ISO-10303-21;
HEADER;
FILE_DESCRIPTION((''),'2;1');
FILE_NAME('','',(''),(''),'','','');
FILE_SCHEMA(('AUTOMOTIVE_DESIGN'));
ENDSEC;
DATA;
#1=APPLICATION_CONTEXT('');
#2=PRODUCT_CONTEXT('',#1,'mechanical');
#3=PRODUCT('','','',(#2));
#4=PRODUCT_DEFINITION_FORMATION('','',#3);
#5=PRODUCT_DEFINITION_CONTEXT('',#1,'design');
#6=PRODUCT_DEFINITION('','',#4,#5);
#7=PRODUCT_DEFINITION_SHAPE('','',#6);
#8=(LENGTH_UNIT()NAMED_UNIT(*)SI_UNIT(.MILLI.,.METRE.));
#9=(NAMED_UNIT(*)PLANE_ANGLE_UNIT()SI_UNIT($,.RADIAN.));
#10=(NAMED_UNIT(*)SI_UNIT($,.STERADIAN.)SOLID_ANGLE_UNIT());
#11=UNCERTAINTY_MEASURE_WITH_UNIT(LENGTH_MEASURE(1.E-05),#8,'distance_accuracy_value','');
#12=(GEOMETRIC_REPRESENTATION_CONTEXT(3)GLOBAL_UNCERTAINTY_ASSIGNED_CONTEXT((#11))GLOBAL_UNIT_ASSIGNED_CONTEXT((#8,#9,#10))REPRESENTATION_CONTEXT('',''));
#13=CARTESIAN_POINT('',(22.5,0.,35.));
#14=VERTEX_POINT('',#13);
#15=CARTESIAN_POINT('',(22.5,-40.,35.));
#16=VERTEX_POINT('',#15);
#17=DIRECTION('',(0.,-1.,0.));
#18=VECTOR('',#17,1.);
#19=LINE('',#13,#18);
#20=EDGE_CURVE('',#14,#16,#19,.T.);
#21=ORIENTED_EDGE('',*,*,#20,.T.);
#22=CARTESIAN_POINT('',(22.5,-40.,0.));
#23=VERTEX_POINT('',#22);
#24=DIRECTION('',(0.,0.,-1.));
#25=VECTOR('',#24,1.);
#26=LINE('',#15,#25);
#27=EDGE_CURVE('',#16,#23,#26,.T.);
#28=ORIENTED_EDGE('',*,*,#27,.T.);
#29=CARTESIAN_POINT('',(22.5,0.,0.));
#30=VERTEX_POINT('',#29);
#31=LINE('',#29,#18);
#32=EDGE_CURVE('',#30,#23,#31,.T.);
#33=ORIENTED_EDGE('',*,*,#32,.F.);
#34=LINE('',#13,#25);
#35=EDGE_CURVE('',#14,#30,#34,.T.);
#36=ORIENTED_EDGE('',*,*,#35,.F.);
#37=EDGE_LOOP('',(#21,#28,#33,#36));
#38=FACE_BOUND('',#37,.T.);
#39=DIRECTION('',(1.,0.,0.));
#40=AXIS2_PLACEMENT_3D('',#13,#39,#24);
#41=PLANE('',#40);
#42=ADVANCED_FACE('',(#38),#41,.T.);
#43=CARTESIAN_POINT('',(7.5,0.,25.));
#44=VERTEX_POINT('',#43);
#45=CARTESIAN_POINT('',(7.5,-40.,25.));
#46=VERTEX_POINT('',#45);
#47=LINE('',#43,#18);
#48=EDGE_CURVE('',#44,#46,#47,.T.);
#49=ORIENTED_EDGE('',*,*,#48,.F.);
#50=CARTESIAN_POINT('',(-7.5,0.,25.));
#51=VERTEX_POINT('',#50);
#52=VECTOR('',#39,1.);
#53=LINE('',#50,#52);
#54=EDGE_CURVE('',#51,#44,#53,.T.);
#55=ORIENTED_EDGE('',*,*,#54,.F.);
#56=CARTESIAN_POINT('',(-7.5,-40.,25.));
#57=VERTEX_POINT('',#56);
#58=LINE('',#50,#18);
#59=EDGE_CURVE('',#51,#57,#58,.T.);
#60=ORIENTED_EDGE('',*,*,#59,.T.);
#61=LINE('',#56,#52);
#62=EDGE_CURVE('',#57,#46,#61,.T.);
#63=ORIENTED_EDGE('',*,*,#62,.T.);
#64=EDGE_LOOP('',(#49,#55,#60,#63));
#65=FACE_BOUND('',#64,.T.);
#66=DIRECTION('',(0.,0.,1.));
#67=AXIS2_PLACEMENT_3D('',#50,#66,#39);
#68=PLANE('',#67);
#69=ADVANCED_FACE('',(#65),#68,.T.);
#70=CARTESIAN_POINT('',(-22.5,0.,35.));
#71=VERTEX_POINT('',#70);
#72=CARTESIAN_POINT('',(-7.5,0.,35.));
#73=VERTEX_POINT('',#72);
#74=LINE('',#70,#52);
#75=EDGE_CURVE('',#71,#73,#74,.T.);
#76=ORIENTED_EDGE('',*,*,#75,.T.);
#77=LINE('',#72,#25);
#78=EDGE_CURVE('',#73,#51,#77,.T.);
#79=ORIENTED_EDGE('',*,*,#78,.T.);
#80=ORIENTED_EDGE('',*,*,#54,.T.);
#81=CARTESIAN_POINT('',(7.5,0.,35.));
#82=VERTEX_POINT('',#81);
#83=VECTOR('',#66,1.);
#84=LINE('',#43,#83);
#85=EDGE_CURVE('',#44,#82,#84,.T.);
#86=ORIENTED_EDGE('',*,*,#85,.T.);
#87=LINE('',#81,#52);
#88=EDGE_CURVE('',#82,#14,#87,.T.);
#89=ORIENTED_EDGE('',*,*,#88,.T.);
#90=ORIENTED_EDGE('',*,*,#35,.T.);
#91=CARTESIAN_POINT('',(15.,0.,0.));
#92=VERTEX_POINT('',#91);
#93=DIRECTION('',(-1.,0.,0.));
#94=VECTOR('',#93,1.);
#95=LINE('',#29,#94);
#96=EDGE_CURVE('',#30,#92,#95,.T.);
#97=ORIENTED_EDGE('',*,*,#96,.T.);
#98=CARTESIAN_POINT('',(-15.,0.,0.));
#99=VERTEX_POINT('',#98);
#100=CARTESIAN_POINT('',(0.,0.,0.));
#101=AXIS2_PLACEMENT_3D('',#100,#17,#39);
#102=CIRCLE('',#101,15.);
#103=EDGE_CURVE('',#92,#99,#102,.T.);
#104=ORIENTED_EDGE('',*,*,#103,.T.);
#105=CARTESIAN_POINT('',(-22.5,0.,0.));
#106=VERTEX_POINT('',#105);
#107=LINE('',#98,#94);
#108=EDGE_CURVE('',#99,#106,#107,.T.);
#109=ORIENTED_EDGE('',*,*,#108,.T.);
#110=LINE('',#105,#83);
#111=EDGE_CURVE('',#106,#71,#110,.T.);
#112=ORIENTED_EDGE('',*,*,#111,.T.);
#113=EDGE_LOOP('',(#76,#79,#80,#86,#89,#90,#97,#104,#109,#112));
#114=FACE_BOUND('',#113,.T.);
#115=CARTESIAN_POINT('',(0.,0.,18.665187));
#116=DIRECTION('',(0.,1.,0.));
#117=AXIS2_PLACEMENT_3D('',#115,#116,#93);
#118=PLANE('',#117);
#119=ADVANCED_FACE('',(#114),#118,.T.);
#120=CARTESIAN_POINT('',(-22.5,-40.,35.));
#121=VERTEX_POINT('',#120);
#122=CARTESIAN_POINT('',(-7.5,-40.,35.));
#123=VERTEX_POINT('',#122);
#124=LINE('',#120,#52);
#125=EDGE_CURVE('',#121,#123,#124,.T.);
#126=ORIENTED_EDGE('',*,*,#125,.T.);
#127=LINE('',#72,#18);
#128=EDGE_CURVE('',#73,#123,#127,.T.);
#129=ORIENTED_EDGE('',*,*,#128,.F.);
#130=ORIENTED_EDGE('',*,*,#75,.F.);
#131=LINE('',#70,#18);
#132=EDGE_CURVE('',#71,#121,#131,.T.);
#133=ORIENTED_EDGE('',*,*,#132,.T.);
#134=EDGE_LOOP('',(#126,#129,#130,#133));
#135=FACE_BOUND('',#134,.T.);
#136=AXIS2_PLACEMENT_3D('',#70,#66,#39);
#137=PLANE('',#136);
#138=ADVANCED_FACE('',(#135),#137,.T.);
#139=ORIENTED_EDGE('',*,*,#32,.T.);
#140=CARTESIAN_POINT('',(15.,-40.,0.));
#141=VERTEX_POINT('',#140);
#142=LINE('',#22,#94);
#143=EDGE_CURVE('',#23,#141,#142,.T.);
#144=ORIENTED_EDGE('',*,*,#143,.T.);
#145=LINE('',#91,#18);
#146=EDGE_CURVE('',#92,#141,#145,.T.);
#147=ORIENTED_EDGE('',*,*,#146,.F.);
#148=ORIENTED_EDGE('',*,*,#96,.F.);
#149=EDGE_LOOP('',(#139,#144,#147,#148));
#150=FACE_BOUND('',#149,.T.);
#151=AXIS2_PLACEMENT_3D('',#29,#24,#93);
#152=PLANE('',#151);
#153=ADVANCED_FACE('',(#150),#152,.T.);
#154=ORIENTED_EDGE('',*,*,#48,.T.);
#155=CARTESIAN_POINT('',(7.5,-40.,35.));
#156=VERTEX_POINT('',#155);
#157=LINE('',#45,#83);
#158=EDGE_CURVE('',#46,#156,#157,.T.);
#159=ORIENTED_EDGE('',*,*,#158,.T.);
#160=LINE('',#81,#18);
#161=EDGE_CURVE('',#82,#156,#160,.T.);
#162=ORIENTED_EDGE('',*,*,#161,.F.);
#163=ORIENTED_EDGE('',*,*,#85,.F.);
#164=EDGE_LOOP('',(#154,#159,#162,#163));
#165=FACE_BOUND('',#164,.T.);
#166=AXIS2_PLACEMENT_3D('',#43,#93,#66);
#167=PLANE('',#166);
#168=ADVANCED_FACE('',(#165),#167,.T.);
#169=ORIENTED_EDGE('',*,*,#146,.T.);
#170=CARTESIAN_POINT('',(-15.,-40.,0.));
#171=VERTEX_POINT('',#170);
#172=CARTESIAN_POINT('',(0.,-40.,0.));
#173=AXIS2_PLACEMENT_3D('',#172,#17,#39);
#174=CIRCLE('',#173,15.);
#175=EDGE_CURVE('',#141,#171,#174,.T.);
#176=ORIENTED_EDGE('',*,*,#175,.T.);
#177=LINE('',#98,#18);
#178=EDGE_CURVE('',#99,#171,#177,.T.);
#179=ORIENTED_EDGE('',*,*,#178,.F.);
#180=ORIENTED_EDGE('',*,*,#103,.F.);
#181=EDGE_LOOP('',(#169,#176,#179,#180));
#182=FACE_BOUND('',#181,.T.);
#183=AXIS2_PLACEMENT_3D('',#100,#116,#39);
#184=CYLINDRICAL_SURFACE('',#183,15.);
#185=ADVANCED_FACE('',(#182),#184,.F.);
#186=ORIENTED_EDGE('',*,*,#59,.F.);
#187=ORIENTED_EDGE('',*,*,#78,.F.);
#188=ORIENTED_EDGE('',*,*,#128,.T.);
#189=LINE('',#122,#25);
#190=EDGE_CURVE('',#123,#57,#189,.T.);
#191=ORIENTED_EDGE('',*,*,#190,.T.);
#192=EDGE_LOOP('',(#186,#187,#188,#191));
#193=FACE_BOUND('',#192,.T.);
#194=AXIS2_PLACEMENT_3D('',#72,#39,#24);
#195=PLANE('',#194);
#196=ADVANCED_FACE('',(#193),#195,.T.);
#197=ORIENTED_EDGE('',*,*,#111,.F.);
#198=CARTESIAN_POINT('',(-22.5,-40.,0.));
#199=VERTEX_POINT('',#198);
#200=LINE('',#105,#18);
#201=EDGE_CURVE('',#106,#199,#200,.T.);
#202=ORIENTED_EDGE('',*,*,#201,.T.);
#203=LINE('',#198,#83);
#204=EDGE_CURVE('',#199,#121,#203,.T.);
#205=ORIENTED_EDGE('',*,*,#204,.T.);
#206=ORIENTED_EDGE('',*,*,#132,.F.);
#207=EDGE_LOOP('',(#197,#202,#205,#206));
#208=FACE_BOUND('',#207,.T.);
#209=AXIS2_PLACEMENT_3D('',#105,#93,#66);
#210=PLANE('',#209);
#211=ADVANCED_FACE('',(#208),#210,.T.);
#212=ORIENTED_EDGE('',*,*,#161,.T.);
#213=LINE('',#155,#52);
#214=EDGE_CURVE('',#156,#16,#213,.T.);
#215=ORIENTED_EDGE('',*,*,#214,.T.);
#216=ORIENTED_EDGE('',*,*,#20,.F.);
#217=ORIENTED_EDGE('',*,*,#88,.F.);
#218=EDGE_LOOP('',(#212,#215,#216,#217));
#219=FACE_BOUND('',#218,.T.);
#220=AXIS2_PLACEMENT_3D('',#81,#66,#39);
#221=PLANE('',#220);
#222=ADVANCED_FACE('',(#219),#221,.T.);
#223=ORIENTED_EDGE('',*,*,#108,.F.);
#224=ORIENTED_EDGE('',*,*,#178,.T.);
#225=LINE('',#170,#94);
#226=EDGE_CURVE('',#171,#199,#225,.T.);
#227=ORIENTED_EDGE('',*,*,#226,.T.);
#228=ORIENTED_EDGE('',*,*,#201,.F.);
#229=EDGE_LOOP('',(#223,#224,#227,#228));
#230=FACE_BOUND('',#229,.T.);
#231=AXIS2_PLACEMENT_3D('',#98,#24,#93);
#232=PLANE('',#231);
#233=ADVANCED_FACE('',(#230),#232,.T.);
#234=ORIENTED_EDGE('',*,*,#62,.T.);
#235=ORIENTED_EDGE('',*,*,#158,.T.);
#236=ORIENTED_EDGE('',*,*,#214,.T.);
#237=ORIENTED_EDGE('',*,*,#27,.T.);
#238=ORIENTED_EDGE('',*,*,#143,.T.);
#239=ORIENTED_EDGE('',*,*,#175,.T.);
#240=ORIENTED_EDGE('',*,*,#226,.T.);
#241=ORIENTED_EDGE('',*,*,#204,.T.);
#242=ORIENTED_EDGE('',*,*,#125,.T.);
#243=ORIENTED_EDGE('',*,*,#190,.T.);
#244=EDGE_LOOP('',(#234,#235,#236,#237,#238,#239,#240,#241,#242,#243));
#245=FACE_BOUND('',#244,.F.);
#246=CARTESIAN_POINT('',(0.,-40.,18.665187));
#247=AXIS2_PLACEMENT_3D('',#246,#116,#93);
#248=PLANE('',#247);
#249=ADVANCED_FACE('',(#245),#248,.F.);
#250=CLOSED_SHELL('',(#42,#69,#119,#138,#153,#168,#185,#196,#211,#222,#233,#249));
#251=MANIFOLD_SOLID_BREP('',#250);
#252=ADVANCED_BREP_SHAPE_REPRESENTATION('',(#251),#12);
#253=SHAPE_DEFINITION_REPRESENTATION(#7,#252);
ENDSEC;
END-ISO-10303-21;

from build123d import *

# Parameters (mm, degrees)
PAD_DEPTH = 40


with BuildPart() as part:
    # Sketch → Pad (new body)
    with BuildSketch(Plane.XZ):
        with BuildLine():
            Line((-22.5, 0), (-22.5, 35))
            Line((-22.5, 35), (-7.5, 35))
            Line((-7.5, 35), (-7.5, 25))
            Line((-7.5, 25), (7.5, 25))
            Line((7.5, 25), (7.5, 35))
            Line((7.5, 35), (22.5, 35))
            Line((22.5, 35), (22.5, 0))
            Line((22.5, 0), (15, 0))
            ThreePointArc((15, 0), (0, 15), (-15, 0))
            Line((-15, 0), (-22.5, 0))
        make_face()
    extrude(amount=PAD_DEPTH)


solid = part.part
